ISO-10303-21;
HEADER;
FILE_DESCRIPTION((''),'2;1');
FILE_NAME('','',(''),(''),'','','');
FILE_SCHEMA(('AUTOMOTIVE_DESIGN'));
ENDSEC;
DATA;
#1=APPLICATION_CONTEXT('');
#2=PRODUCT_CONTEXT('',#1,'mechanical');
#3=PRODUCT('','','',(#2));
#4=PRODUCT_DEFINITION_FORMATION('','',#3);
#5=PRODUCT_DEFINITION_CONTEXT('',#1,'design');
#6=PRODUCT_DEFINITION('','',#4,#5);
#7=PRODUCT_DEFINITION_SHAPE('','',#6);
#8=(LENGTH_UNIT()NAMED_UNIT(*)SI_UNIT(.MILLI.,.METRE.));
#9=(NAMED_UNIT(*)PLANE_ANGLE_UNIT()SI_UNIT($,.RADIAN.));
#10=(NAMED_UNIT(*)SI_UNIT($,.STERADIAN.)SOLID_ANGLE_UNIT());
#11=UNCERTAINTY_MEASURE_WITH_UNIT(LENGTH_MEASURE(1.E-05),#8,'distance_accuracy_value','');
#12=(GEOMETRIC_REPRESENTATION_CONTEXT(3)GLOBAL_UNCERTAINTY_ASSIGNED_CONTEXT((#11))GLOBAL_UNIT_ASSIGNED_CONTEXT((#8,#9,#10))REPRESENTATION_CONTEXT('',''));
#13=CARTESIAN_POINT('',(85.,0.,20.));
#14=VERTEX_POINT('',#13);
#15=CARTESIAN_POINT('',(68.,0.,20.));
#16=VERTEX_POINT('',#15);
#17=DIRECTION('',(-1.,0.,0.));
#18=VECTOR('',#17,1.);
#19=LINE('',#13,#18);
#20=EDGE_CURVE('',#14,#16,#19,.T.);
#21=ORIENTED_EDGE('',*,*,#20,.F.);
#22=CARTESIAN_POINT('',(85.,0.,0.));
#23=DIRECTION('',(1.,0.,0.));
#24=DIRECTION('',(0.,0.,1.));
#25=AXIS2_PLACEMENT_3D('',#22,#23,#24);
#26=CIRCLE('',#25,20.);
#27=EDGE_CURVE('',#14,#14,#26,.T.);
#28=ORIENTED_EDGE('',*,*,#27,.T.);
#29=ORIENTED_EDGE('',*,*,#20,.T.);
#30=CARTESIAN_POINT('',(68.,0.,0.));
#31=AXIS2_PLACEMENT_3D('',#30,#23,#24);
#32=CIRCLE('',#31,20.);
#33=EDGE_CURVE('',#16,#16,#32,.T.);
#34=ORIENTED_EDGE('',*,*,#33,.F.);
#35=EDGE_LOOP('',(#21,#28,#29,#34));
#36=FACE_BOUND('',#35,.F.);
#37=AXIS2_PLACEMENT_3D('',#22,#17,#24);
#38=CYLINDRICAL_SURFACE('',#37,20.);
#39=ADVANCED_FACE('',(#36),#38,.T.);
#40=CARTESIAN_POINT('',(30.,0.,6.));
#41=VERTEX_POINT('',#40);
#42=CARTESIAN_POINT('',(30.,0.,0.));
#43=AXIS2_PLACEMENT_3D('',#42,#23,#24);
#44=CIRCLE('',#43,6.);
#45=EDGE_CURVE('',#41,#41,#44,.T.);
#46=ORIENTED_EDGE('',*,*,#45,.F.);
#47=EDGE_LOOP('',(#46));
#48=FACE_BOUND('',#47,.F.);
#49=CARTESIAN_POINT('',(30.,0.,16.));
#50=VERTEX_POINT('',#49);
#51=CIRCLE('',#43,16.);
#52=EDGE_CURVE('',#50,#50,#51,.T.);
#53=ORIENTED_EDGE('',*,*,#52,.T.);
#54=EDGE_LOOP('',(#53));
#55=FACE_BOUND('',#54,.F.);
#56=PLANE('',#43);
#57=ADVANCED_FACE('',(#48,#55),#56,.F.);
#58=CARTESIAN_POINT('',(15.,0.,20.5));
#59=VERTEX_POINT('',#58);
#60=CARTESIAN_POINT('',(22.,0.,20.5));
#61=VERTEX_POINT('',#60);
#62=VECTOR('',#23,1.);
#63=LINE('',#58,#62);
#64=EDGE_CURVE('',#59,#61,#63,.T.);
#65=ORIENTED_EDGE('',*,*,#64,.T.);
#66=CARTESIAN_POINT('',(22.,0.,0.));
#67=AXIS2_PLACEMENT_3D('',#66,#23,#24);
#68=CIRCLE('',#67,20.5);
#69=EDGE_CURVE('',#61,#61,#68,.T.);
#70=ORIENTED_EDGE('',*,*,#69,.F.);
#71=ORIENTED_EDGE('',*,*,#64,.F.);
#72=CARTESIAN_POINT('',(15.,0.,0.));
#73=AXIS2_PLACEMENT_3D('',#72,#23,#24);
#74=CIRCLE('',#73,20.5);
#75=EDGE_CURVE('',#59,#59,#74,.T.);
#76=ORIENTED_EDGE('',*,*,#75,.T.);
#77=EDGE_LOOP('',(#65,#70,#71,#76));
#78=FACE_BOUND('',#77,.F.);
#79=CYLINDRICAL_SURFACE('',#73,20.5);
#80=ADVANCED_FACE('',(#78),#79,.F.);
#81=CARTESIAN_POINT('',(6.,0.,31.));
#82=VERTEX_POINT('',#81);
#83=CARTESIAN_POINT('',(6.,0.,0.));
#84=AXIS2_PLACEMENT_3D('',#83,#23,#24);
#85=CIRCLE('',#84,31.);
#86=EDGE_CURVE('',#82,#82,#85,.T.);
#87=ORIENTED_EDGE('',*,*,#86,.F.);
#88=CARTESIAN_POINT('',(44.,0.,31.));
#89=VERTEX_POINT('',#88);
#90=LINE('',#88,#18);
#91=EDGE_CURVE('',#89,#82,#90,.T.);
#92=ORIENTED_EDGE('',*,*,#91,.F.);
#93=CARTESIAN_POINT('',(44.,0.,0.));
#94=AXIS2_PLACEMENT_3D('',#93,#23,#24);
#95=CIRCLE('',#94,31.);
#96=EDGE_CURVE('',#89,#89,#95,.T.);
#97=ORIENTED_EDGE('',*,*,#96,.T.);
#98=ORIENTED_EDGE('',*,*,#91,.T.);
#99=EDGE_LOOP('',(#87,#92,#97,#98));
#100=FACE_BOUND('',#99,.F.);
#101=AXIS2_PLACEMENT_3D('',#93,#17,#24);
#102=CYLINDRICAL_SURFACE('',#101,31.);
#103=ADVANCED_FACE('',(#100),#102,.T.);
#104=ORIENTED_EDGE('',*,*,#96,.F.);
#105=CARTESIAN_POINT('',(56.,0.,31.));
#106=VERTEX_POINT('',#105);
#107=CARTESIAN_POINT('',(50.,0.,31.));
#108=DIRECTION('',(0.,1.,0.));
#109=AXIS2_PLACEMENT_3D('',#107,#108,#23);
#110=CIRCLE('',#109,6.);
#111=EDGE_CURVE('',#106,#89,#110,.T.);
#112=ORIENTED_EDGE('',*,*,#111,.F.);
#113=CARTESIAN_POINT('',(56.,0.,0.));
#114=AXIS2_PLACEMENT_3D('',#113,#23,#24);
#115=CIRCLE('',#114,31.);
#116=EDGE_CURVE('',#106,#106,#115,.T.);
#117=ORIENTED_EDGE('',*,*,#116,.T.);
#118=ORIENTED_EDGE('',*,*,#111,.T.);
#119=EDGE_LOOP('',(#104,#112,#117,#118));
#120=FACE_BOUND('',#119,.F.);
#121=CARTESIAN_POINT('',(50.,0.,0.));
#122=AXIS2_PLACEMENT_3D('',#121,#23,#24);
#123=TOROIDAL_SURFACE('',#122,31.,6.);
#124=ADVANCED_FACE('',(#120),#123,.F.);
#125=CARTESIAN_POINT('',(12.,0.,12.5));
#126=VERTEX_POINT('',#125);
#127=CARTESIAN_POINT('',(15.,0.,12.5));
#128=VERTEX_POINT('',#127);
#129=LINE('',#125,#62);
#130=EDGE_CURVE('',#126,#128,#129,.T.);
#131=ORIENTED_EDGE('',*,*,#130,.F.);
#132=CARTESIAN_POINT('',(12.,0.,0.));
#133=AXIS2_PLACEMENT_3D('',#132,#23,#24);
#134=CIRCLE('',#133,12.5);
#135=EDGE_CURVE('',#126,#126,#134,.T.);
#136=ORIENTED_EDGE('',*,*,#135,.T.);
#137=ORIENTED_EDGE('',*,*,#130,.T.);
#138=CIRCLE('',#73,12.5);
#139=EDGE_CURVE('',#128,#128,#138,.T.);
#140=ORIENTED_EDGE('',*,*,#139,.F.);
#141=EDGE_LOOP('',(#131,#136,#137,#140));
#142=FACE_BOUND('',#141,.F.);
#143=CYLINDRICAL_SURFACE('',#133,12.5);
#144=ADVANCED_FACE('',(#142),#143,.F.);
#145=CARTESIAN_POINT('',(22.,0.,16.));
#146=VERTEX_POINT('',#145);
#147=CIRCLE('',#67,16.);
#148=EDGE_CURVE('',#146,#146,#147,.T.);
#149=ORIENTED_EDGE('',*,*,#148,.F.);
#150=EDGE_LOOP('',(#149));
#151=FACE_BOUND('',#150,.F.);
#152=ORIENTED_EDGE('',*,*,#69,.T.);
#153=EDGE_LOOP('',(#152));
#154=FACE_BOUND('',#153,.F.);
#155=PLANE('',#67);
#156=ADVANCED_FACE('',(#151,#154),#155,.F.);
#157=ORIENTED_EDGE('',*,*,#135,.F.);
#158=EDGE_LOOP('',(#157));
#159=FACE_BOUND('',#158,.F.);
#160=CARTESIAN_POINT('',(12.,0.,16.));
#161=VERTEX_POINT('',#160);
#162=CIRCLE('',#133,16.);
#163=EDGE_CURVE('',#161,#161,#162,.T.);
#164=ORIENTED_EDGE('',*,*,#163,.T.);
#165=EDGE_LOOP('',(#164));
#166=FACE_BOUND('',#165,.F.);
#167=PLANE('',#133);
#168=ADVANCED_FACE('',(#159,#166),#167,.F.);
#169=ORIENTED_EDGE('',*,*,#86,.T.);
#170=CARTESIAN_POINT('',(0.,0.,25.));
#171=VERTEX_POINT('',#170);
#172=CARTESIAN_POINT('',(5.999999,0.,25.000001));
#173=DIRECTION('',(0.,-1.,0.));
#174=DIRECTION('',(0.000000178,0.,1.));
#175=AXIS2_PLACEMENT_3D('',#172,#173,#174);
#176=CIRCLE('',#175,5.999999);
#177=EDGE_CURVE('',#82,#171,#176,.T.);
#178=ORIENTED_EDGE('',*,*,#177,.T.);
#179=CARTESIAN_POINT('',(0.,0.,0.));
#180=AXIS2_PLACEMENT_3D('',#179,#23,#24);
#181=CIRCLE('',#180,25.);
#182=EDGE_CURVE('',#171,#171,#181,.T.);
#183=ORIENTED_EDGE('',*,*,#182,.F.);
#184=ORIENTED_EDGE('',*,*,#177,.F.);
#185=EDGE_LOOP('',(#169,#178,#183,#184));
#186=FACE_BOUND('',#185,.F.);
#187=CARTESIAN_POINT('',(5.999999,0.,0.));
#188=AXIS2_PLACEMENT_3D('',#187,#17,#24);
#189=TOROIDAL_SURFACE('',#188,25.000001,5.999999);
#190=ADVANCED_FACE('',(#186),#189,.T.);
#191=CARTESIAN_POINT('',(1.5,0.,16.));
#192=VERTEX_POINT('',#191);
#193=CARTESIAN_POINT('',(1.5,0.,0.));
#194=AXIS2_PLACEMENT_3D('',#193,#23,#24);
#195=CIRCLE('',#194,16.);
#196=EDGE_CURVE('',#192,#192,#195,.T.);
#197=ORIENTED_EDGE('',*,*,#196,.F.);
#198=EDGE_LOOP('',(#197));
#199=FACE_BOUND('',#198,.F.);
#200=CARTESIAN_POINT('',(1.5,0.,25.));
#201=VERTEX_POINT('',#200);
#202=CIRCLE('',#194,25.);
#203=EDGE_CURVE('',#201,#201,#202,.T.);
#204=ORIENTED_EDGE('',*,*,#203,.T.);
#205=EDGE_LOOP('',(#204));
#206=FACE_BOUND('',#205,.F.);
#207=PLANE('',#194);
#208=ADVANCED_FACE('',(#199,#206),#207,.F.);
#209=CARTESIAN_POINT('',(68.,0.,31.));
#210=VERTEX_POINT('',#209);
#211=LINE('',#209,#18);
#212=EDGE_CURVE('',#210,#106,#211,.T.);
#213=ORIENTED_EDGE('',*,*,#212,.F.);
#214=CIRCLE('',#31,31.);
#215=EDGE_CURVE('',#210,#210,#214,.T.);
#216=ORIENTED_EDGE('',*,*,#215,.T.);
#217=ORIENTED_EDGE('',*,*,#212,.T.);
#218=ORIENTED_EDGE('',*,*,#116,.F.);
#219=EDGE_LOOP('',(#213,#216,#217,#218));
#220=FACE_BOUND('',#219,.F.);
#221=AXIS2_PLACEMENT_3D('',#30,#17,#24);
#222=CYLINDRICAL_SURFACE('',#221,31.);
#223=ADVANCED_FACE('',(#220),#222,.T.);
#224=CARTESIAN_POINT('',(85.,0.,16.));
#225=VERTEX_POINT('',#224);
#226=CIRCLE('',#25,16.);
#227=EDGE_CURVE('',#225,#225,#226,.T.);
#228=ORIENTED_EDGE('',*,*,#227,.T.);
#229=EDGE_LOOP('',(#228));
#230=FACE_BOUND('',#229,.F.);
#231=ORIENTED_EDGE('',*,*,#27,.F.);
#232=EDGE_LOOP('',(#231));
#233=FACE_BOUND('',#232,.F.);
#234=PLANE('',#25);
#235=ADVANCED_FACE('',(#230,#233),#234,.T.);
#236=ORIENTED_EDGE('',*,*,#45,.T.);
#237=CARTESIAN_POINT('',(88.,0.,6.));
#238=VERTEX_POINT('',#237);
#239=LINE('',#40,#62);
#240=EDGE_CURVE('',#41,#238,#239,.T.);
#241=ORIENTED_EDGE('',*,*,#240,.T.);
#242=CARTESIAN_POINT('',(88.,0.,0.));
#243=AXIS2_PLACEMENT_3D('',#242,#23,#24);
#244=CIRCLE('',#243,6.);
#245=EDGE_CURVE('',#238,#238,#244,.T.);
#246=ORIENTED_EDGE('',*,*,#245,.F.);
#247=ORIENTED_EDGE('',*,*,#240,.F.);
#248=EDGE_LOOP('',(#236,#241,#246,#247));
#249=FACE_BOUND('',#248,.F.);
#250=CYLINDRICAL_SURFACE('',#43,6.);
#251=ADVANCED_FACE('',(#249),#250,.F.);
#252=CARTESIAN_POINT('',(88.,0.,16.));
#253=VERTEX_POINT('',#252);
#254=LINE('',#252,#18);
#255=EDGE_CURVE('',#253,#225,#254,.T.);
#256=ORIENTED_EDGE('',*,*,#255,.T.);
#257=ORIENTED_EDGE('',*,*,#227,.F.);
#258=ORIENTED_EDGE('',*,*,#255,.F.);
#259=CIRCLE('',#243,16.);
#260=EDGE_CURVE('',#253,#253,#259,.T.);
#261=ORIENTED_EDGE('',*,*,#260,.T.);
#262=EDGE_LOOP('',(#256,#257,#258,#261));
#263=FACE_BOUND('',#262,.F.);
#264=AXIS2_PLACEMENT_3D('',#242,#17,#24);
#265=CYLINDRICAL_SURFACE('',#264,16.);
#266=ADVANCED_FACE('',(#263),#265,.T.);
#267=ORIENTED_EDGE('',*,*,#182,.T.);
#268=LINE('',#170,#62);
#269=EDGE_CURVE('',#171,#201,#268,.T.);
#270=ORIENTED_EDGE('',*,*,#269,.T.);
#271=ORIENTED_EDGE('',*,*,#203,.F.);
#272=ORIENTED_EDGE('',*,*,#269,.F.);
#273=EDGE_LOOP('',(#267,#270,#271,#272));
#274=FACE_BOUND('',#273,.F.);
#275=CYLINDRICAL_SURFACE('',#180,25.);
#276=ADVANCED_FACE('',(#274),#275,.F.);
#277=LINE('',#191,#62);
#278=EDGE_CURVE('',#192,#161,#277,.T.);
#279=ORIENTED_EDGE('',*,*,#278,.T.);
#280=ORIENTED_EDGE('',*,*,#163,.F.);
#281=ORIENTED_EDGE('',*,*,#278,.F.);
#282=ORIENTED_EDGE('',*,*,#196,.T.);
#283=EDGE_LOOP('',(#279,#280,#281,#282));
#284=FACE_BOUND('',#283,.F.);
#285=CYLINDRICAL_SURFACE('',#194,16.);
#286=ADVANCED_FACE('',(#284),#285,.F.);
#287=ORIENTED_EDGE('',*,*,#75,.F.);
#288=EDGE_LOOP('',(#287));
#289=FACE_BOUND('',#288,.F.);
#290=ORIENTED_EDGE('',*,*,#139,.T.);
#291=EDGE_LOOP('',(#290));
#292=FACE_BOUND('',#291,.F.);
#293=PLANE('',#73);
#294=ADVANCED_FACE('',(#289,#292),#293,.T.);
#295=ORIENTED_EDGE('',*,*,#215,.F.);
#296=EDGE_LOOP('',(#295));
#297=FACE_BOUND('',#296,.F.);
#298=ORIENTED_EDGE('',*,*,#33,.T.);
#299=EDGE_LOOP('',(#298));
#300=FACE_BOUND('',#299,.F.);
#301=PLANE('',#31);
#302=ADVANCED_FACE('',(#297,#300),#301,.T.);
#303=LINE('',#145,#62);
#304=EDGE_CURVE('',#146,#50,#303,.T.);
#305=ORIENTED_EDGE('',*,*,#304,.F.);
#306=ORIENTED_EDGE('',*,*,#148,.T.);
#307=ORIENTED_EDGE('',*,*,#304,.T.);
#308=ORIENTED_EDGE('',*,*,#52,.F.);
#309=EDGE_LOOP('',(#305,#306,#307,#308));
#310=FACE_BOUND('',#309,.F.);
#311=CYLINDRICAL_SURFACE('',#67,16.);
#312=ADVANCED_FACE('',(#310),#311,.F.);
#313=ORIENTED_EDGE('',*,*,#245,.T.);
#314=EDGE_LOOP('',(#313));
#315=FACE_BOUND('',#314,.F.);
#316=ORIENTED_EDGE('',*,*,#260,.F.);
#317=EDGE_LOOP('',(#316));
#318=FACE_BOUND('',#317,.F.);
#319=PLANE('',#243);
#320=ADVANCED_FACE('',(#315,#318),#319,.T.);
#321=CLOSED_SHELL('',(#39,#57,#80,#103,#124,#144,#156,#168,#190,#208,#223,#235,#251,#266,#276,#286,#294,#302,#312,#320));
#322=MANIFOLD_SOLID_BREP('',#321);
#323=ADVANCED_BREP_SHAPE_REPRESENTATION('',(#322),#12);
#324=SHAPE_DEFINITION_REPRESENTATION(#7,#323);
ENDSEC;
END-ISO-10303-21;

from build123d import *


with BuildPart() as f1:
    # F0 (on Front) → F1 (revolve)
    with BuildSketch(Plane.XZ):
        with BuildLine():
            Line((1.5, 25), (1.5, 16))
            Line((1.5, 16), (12, 16))
            Line((12, 16), (12, 12.5))
            Line((12, 12.5), (15, 12.5))
            Line((15, 12.5), (15, 20.5))
            Line((15, 20.5), (22, 20.5))
            Line((22, 20.5), (22, 16))
            Line((22, 16), (30, 16))
            Line((30, 16), (30, 6))
            Line((30, 6), (88, 6))
            Line((88, 6), (88, 16))
            Line((88, 16), (85, 16))
            Line((85, 16), (85, 20))
            Line((85, 20), (68, 20))
            Line((68, 20), (68, 31))
            Line((68, 31), (56, 31))
            ThreePointArc((56, 31), (50, 25), (44, 31))
            Line((44, 31), (6, 31))
            ThreePointArc((6, 31), (1.757359, 29.242641), (0, 25))
            Line((0, 25), (1.5, 25))
        make_face()
    revolve(axis=Axis((43.84983, 0, 0), (1, 0, 0)))


solid = f1.part
